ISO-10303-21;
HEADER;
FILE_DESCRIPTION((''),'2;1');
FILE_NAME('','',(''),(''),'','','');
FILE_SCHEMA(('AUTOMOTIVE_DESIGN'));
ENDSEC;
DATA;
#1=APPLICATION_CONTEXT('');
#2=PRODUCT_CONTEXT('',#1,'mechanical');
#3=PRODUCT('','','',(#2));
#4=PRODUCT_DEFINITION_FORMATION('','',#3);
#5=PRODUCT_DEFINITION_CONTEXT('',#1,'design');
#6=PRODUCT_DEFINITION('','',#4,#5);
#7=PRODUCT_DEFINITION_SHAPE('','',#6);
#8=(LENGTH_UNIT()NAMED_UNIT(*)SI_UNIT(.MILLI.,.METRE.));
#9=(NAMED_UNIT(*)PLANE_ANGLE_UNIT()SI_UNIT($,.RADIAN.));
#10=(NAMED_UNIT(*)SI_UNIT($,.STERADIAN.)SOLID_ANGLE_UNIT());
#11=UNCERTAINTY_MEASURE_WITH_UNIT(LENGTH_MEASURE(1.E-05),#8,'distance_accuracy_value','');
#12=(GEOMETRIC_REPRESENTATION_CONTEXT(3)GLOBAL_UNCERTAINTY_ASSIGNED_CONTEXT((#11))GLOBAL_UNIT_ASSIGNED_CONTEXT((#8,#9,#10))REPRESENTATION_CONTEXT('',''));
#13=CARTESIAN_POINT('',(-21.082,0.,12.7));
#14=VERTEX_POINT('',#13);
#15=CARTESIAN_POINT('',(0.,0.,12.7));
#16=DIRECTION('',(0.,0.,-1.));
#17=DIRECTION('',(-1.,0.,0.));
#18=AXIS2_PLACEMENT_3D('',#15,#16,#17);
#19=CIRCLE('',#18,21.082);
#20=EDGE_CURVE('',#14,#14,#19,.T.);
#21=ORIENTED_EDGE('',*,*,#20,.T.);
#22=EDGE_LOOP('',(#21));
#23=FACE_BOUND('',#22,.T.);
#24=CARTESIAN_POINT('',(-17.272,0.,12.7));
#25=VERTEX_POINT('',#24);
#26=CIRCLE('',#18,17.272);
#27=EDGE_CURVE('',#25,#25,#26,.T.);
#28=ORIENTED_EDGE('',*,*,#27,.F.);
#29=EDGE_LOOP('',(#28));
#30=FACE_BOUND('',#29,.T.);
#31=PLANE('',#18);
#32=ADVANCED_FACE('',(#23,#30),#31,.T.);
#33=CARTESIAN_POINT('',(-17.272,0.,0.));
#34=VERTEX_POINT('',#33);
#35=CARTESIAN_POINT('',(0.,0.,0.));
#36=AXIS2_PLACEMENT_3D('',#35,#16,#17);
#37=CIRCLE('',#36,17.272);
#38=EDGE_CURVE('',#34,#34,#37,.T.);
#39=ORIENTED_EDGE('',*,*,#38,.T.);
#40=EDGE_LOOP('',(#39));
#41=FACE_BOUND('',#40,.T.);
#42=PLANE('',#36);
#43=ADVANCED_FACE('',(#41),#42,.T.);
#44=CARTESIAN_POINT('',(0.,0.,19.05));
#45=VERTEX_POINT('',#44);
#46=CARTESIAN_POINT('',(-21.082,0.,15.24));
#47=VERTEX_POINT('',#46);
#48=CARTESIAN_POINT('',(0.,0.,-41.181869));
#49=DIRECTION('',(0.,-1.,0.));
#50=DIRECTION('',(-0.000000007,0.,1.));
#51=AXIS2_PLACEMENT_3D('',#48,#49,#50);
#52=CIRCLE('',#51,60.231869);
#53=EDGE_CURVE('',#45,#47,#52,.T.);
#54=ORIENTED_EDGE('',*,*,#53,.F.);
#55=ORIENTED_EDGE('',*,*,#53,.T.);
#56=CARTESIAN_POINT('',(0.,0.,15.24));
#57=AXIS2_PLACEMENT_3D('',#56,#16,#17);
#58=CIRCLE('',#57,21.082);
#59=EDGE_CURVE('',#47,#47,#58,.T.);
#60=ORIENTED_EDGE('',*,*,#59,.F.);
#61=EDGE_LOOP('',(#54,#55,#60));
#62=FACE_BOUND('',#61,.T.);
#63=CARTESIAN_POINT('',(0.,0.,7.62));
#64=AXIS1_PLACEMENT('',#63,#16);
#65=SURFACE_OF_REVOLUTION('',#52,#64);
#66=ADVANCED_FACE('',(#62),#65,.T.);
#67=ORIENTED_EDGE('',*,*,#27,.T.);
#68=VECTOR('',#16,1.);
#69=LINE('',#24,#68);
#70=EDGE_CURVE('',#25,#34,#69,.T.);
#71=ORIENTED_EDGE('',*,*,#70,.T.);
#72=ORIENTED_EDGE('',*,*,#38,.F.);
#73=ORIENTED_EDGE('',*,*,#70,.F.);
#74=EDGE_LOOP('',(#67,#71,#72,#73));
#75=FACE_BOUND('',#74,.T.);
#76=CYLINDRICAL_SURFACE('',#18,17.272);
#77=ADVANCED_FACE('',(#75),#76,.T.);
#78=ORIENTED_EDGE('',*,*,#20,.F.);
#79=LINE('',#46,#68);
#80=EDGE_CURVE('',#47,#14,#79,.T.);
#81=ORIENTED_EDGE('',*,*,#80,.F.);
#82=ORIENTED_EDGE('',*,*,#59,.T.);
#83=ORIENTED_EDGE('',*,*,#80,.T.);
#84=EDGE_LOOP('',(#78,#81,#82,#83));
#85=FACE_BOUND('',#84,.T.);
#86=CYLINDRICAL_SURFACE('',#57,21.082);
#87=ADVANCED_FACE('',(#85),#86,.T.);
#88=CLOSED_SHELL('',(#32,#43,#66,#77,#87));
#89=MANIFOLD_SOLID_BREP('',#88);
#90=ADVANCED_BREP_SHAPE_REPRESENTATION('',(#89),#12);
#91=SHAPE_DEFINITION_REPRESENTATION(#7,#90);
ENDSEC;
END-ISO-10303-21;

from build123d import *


with BuildPart() as f1:
    # F0 (on Front) → F1 (revolve)
    with BuildSketch(Plane.XZ):
        Polygon((-17.272, 0), (0, 0), (0, 15.24), (-21.082, 15.24), (-21.082, 12.7), (-17.272, 12.7), align=None)
        with BuildLine():
            Line((-21.082, 15.24), (0, 15.24))
            Line((0, 15.24), (0, 19.05))
            ThreePointArc((0, 19.05), (-10.711756, 18.089847), (-21.082, 15.24))
        make_face()
    revolve(axis=Axis((0, 0, 7.62), (0, 0, -1)))


solid = f1.part
